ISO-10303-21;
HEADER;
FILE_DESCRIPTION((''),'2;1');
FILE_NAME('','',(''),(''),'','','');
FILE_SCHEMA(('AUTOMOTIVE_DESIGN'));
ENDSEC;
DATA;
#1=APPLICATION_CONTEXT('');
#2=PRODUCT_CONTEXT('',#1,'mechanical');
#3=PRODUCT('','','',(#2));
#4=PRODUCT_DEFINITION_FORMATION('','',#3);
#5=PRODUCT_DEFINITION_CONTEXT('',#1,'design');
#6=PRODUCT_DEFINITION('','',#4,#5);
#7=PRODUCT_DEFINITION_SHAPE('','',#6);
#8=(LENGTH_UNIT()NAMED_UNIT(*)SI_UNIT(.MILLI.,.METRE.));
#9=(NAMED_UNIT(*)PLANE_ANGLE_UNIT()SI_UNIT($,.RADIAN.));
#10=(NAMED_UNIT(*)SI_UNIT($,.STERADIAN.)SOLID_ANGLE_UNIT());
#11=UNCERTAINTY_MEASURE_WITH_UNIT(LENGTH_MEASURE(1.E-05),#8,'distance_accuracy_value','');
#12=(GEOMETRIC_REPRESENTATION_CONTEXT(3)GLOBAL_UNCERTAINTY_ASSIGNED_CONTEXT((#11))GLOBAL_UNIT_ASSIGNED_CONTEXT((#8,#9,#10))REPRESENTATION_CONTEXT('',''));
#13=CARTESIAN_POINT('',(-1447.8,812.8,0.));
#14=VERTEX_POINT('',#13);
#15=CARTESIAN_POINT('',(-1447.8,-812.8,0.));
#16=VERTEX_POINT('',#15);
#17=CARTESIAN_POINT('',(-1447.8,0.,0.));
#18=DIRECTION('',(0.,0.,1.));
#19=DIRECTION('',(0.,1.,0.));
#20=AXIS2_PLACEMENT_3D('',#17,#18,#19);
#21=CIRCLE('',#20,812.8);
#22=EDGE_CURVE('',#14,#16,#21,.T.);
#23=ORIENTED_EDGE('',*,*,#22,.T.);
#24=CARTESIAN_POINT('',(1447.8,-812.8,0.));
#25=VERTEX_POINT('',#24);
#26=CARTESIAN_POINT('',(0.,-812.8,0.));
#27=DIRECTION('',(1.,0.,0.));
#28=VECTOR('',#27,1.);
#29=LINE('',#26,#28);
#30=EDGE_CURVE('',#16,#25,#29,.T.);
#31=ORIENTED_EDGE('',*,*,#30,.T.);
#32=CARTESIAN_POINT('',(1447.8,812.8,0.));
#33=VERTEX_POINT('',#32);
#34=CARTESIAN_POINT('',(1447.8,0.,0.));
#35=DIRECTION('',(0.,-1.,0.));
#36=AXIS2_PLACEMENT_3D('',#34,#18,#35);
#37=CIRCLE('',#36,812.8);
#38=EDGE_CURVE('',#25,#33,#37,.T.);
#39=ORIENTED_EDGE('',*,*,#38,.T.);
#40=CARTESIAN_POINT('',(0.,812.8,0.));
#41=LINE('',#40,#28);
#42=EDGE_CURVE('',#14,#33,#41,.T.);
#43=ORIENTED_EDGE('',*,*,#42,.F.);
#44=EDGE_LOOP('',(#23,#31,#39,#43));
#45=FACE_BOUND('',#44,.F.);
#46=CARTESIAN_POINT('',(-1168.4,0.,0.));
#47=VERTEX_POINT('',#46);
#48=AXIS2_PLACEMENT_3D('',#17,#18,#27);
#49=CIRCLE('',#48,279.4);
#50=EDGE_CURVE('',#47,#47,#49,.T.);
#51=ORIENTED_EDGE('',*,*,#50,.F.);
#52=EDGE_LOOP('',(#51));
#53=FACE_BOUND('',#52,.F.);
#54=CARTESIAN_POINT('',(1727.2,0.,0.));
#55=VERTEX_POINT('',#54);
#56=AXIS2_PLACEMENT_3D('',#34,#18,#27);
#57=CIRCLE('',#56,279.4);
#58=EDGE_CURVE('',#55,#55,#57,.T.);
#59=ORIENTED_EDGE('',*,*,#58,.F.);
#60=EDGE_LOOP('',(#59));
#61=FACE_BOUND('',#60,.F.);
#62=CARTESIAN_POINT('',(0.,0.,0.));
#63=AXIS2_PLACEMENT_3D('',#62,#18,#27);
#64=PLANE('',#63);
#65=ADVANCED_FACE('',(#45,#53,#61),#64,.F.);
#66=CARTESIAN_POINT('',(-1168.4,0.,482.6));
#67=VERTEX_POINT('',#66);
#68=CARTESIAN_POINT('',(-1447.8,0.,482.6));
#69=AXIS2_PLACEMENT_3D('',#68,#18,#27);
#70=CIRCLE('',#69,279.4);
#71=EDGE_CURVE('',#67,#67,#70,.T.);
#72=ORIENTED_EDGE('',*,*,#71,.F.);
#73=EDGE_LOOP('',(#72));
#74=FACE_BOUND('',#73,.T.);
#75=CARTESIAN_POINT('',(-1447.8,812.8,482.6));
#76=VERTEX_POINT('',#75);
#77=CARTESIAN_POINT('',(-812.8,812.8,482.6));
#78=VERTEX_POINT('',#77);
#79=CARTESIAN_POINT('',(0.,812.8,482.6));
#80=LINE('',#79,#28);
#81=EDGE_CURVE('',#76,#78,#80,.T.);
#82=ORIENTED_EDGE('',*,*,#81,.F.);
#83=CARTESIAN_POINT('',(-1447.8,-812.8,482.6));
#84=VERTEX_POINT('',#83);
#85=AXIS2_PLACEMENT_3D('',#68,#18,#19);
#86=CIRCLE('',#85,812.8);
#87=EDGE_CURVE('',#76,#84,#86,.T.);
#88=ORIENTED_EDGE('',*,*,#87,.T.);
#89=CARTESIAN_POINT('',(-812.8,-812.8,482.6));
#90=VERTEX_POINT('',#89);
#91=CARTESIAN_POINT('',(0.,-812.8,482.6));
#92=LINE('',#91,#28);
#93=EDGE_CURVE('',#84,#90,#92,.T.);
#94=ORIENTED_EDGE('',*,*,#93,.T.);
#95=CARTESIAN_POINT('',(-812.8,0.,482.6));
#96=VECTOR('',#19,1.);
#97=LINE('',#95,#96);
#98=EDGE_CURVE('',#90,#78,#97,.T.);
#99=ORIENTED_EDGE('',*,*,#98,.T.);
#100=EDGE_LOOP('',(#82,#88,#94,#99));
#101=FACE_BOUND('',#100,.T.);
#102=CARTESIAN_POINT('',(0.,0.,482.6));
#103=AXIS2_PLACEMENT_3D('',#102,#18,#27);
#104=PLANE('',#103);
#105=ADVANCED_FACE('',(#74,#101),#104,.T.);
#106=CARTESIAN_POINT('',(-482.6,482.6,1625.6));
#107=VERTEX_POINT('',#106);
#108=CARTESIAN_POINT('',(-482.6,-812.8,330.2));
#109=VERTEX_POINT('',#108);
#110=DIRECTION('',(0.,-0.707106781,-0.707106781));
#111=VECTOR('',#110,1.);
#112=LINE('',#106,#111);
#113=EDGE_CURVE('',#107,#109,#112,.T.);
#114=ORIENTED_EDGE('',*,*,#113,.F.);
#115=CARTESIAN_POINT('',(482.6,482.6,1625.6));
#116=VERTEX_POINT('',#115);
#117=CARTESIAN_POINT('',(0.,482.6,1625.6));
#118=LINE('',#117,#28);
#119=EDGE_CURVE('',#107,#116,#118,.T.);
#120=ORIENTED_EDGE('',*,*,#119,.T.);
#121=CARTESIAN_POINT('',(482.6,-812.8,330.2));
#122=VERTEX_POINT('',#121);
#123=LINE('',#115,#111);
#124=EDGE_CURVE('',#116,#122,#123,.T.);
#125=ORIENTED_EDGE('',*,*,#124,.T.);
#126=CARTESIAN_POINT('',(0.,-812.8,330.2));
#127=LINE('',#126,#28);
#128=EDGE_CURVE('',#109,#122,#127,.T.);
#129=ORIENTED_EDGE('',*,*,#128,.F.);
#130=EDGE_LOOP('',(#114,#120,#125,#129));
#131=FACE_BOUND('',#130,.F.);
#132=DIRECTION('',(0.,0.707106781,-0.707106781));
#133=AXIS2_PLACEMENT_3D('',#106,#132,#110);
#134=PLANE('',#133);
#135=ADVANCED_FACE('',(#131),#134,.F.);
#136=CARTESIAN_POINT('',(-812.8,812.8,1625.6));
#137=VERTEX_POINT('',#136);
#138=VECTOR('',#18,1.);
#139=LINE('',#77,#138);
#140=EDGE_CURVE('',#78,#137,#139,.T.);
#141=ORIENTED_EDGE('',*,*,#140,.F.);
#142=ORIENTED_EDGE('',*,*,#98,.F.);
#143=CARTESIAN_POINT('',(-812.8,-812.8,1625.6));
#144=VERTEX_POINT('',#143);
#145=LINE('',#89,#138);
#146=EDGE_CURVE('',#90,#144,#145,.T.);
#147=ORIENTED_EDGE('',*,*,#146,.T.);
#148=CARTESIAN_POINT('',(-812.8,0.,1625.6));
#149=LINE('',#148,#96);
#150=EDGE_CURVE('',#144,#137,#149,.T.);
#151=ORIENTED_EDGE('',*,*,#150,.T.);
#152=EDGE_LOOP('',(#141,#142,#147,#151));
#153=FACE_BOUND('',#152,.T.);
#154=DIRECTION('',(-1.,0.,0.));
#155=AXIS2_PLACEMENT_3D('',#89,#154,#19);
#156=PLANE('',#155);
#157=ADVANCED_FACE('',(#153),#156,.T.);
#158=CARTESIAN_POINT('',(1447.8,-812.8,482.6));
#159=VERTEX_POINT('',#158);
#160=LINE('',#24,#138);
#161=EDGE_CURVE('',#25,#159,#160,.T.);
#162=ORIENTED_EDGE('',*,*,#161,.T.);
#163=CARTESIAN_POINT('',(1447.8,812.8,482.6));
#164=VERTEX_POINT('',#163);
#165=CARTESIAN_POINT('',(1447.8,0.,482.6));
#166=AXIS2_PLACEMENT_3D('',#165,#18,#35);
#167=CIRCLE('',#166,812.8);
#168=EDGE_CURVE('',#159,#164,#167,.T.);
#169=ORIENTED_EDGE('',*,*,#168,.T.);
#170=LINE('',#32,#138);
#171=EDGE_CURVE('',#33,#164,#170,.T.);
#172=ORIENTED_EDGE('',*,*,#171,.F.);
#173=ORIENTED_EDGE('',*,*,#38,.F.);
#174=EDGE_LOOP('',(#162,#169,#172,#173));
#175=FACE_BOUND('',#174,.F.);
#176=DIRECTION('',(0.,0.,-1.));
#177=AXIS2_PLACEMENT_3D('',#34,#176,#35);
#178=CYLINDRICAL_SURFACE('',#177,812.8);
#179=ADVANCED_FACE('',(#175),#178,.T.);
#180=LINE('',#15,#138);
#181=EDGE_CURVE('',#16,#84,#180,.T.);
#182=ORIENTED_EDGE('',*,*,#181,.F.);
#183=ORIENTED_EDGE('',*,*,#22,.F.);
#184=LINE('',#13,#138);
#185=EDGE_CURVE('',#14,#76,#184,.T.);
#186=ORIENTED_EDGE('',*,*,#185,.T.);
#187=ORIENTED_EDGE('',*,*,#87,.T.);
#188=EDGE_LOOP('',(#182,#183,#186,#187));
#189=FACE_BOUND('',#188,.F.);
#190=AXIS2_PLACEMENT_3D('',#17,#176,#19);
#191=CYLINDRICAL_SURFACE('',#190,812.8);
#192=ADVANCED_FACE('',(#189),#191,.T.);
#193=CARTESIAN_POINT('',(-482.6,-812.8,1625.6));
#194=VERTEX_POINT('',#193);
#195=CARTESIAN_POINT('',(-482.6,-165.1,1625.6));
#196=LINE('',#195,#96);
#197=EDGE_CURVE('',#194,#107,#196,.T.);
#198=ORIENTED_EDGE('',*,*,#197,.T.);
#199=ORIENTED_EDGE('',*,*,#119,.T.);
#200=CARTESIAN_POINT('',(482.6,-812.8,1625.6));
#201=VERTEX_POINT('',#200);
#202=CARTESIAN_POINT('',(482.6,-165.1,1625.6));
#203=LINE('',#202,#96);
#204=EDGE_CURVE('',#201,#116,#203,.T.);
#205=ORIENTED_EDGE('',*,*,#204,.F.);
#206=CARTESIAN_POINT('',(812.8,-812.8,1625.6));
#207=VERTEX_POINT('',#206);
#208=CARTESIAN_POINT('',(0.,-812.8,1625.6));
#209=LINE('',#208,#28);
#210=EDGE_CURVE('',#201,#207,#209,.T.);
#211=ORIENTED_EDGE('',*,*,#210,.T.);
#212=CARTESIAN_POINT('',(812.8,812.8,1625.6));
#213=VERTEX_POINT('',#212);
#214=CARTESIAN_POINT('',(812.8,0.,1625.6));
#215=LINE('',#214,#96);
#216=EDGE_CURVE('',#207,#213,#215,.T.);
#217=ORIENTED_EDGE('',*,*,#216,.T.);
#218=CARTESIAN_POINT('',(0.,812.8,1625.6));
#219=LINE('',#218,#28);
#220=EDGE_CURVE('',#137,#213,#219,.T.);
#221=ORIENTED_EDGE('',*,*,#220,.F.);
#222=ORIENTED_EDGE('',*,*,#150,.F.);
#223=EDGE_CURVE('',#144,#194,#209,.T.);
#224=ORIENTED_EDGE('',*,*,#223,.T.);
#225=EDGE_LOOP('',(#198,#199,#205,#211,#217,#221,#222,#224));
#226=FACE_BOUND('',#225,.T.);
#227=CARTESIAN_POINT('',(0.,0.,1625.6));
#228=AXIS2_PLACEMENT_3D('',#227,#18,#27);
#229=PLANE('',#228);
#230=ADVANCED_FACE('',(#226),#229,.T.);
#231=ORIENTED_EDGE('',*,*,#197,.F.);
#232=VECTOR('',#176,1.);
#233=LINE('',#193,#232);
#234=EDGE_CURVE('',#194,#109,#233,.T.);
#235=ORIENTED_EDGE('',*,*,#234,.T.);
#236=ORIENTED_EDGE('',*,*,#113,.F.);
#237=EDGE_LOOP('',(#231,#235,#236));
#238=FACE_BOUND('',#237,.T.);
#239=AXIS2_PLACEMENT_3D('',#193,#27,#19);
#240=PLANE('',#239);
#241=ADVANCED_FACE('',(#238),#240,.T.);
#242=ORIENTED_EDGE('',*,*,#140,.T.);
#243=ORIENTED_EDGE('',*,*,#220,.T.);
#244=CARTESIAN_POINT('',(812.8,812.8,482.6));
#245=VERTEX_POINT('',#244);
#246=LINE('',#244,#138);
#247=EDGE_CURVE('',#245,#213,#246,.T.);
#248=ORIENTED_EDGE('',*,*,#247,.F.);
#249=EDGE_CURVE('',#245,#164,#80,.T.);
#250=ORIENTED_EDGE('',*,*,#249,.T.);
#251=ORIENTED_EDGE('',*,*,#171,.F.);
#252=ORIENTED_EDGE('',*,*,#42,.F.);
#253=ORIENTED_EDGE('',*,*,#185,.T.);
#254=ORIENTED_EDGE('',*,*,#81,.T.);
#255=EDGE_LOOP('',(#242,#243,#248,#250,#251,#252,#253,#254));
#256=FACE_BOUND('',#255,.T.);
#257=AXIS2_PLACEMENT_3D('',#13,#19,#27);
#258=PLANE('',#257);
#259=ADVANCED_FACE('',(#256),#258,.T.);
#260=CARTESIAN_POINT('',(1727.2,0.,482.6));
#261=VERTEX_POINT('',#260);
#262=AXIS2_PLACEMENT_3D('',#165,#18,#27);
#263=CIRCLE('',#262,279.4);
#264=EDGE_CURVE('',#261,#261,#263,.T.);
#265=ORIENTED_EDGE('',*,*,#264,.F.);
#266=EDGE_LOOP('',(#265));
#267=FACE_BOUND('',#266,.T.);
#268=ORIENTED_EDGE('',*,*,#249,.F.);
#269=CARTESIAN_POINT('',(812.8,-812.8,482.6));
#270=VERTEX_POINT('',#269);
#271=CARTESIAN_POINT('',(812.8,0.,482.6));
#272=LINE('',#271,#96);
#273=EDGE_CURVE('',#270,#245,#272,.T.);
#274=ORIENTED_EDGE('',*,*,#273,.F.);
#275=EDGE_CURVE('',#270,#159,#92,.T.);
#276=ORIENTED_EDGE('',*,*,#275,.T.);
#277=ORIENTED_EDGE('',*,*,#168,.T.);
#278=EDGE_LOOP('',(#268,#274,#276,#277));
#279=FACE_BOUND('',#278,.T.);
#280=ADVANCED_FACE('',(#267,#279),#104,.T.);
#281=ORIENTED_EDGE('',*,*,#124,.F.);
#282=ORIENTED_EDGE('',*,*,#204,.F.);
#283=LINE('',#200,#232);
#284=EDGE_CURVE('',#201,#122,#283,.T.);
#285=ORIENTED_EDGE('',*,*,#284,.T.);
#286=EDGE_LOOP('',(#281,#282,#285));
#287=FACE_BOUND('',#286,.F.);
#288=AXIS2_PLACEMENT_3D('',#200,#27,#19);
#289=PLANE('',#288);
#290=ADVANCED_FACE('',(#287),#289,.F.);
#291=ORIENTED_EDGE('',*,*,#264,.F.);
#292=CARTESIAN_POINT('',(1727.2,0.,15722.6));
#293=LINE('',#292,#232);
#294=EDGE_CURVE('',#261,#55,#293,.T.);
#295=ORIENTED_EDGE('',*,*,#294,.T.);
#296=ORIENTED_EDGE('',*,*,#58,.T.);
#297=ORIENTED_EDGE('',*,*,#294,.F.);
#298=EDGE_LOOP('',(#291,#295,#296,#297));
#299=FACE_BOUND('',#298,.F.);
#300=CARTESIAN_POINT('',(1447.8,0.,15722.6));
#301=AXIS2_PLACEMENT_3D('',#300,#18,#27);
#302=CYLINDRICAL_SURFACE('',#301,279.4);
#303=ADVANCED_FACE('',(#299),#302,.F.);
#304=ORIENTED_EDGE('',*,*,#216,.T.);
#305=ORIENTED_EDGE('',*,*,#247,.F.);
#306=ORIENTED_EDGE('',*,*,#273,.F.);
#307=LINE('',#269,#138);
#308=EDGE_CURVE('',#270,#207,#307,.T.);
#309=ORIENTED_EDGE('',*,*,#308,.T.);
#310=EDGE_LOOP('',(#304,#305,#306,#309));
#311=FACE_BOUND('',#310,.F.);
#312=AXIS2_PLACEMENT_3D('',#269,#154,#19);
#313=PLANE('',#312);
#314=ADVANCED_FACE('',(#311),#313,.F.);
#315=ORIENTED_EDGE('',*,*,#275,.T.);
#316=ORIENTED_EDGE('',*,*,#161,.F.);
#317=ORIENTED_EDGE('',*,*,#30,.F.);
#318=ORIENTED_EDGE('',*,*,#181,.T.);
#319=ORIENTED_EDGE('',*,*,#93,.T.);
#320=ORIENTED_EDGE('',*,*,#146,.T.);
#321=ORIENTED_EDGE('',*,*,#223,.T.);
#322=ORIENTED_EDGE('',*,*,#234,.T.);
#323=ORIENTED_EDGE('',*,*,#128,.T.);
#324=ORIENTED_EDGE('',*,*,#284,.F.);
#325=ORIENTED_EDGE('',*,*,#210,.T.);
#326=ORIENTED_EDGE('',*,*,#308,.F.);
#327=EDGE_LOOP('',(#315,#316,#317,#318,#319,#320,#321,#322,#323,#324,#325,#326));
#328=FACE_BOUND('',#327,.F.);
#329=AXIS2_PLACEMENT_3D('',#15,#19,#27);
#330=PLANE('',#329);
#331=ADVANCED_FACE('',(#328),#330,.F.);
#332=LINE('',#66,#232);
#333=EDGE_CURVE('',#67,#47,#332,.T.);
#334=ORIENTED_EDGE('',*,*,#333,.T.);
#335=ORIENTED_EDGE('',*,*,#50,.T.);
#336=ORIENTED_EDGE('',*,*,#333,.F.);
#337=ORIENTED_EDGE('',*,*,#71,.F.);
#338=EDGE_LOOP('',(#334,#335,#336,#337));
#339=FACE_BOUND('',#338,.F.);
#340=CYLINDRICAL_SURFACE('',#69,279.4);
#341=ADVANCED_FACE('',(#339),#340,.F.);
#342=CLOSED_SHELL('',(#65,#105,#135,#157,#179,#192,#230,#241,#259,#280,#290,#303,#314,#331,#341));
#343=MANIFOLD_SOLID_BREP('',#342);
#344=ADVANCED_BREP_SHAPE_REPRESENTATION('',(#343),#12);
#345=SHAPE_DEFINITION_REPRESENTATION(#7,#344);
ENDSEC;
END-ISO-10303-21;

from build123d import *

# Parameters (mm, degrees)
F0_W       = 2895.6
F0_H       = 1625.6
F1_DEPTH   = 482.6
F2_W       = 1625.6
F2_H       = 1625.6
F3_DEPTH   = 1143
F4_W       = 965.2
F4_H       = 1295.4
F5_DEPTH   = 1295.4
F7_DEPTH   = 965.2
F9_R       = 279.4
F10_DEPTH  = 7620
F8_R       = 279.4
F11_DEPTH  = 15240
F11_FACE_R = 279.4
F12_DEPTH  = 20320


with BuildPart() as f1:
    # F0 (on Top) → F1 (new body)
    with BuildSketch(Plane.XY):
        Rectangle(F0_W, F0_H)
        with BuildLine():
            Line((-1447.8, -812.8), (-1447.8, 812.8))
            ThreePointArc((-1447.8, 812.8), (-2260.6, 0), (-1447.8, -812.8))
        make_face()
        with BuildLine():
            ThreePointArc((1447.8, -812.8), (2260.6, 0), (1447.8, 812.8))
            Line((1447.8, 812.8), (1447.8, -812.8))
        make_face()
    extrude(amount=F1_DEPTH)

    # F2 (on face) → F3 (join)
    with BuildSketch(Plane.XY.offset(482.6)):
        Rectangle(F2_W, F2_H)
    extrude(amount=F3_DEPTH)

    # F4 (on face) → F5 (cut)
    with BuildSketch(Plane.XY.offset(1625.6)):
        with Locations((0, -165.1)):
            Rectangle(F4_W, F4_H)
    extrude(amount=-F5_DEPTH, mode=Mode.SUBTRACT)

    # F6 (on face) → F7 (join)
    with BuildSketch(Plane.YZ.offset(-482.6)):
        Polygon((482.6, 330.2), (482.6, 1625.6), (-812.8, 330.2), align=None)
    extrude(amount=F7_DEPTH)

    # F9 (on face) → F10 (cut)
    with BuildSketch(Plane.XY.offset(482.6)):
        with Locations((-1447.8, 0)):
            Circle(F9_R)
    extrude(amount=-F10_DEPTH, mode=Mode.SUBTRACT)

    # F8 (on face) → F11 (join)
    with BuildSketch(Plane.XY.offset(482.6)):
        with Locations((1447.8, 0)):
            Circle(F8_R)
    extrude(amount=F11_DEPTH)

    # F11_face (on face) → F12 (cut)
    with BuildSketch(Plane(origin=(1447.8, 0, 15722.6), x_dir=(1, 0, 0), z_dir=(0, 0, 1))):
        Circle(F11_FACE_R)
    extrude(amount=-F12_DEPTH, mode=Mode.SUBTRACT)


solid = f1.part
